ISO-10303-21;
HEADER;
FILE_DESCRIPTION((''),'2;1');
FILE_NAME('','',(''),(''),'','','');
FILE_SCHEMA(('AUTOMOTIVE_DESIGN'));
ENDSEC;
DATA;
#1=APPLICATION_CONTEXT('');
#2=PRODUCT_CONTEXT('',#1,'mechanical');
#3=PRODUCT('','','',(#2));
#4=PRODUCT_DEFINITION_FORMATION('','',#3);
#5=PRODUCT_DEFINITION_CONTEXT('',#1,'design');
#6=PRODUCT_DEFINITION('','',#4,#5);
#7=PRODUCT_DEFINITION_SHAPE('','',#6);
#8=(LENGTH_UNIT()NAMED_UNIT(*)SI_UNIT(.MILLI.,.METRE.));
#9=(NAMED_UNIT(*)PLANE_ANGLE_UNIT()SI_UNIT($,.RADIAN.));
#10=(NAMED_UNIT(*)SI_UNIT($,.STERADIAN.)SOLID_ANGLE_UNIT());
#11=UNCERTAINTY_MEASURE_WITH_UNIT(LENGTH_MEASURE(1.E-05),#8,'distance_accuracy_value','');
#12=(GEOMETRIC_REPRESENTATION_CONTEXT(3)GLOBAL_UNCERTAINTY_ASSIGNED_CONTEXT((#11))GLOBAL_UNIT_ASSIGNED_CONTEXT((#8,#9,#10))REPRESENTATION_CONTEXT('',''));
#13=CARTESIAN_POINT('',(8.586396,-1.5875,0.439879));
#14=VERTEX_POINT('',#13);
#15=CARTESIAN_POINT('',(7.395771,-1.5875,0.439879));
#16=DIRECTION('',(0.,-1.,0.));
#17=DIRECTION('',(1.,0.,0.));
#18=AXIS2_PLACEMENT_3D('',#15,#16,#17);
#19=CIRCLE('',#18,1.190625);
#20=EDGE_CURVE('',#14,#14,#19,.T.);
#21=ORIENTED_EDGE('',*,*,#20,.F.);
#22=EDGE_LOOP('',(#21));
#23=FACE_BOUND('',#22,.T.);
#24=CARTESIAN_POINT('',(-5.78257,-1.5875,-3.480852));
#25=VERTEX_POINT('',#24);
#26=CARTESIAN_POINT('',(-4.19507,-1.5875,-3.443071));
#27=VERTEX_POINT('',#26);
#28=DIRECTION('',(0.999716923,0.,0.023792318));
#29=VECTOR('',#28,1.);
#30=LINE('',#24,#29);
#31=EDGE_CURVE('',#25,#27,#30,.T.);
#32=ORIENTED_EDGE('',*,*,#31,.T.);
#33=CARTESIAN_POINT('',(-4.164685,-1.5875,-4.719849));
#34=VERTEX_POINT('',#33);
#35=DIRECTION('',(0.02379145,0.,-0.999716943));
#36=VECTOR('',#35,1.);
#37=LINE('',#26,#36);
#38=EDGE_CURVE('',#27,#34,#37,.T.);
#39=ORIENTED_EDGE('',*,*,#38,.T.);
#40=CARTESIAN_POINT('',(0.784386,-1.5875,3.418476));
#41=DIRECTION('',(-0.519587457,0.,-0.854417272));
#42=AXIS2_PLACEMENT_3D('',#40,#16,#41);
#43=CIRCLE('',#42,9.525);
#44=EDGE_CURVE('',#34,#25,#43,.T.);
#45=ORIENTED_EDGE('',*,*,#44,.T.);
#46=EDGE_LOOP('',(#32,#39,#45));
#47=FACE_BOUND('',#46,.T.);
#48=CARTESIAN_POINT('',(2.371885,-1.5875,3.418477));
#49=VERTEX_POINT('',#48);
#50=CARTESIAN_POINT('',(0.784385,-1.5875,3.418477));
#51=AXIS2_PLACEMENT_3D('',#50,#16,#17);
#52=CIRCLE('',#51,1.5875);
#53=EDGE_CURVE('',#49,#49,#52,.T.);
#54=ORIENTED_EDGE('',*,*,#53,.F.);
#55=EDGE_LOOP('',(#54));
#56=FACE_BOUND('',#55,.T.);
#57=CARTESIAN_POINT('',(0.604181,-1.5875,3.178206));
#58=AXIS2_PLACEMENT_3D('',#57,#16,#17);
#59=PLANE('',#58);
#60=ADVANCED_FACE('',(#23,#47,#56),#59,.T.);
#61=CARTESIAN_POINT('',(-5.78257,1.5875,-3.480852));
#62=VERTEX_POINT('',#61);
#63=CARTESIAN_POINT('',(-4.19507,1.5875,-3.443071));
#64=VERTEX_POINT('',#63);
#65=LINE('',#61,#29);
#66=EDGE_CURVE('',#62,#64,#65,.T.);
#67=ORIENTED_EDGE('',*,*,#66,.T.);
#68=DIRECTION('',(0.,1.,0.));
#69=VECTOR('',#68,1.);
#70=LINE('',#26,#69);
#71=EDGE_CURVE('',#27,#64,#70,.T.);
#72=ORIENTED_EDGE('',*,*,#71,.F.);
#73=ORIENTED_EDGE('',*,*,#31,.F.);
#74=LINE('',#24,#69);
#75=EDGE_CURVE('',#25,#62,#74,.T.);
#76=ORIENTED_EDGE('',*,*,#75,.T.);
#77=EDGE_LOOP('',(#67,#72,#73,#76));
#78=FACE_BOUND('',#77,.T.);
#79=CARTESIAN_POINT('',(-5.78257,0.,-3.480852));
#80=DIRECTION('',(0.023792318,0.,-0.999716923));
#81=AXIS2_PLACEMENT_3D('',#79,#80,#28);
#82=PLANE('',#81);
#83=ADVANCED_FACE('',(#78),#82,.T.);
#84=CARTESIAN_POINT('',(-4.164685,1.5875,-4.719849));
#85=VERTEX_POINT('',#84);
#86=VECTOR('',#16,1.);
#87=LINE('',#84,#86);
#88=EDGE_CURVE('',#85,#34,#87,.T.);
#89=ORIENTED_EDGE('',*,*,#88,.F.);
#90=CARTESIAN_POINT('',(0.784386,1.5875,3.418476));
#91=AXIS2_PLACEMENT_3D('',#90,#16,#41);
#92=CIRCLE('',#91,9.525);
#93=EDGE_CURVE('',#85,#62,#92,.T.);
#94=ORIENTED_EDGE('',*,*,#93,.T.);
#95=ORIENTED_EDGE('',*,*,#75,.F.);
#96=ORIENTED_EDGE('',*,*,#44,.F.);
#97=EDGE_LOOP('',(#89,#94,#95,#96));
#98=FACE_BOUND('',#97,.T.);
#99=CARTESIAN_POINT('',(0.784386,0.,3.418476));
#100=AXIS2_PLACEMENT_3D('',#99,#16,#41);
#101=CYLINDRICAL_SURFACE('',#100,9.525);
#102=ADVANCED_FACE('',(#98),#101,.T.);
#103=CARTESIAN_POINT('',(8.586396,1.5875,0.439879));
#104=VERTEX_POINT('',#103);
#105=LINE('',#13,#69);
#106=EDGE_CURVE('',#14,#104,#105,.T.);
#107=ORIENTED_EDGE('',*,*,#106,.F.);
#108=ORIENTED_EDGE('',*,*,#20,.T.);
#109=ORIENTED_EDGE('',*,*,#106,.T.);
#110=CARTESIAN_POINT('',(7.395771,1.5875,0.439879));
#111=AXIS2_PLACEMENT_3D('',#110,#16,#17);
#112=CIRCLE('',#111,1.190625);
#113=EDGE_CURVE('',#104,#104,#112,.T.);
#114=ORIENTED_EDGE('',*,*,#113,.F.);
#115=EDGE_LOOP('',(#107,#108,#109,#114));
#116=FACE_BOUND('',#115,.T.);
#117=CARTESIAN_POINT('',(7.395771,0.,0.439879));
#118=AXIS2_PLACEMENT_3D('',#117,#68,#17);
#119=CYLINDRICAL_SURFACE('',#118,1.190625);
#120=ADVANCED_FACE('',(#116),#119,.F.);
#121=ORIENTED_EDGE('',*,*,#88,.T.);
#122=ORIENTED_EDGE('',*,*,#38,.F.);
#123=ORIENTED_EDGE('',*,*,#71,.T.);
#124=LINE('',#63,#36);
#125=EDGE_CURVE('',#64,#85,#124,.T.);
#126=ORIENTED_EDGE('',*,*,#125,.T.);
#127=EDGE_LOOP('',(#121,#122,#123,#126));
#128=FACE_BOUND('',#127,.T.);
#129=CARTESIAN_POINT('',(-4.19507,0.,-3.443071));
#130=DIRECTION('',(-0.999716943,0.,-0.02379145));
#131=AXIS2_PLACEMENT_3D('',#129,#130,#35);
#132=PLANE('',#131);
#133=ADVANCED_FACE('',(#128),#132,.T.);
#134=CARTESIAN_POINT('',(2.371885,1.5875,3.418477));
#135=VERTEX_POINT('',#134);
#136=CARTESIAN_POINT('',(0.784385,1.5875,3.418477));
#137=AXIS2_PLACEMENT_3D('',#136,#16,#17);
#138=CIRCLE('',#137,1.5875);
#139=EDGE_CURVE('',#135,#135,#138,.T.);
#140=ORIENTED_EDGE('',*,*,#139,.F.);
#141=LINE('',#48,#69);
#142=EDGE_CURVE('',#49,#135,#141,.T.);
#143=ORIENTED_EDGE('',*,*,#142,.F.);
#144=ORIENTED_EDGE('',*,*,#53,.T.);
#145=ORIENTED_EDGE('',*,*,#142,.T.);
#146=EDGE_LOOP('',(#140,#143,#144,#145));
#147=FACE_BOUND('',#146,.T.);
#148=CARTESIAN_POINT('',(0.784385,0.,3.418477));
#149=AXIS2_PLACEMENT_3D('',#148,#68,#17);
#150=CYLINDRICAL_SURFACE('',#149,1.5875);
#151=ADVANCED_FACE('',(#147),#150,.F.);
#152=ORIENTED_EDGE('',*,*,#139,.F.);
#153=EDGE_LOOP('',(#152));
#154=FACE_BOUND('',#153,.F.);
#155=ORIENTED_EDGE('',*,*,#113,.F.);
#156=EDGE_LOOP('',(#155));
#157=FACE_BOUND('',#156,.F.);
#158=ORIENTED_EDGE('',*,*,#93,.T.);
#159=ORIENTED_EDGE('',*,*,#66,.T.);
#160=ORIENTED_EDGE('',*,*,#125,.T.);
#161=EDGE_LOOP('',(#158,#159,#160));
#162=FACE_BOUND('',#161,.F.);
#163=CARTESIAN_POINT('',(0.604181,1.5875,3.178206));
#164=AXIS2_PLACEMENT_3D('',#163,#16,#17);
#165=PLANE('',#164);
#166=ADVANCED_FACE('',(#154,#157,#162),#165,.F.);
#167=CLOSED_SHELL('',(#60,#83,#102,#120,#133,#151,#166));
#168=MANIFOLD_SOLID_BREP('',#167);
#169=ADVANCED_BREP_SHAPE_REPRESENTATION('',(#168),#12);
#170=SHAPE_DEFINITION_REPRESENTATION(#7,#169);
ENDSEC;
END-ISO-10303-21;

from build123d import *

# Parameters (mm, degrees)
F0_R     = 1.190625
F0_R_2   = 1.5875
F1_DEPTH = 1.5875


with BuildPart() as f1:
    # F0 (on Front) → F1 (new body, symmetric)
    with BuildSketch(Plane.XZ):
        with BuildLine():
            Line((-4.19507, -3.443071), (-4.164685, -4.719849))
            ThreePointArc((-4.164685, -4.719849), (6.575626, 10.980695), (-5.78257, -3.480852))
            Line((-5.78257, -3.480852), (-4.19507, -3.443071))
        make_face()
        with Locations((7.395771, 0.439879)):
            Circle(F0_R, mode=Mode.SUBTRACT)
        with Locations((0.784385, 3.418477)):
            Circle(F0_R_2, mode=Mode.SUBTRACT)
    extrude(amount=F1_DEPTH, both=True)


solid = f1.part
